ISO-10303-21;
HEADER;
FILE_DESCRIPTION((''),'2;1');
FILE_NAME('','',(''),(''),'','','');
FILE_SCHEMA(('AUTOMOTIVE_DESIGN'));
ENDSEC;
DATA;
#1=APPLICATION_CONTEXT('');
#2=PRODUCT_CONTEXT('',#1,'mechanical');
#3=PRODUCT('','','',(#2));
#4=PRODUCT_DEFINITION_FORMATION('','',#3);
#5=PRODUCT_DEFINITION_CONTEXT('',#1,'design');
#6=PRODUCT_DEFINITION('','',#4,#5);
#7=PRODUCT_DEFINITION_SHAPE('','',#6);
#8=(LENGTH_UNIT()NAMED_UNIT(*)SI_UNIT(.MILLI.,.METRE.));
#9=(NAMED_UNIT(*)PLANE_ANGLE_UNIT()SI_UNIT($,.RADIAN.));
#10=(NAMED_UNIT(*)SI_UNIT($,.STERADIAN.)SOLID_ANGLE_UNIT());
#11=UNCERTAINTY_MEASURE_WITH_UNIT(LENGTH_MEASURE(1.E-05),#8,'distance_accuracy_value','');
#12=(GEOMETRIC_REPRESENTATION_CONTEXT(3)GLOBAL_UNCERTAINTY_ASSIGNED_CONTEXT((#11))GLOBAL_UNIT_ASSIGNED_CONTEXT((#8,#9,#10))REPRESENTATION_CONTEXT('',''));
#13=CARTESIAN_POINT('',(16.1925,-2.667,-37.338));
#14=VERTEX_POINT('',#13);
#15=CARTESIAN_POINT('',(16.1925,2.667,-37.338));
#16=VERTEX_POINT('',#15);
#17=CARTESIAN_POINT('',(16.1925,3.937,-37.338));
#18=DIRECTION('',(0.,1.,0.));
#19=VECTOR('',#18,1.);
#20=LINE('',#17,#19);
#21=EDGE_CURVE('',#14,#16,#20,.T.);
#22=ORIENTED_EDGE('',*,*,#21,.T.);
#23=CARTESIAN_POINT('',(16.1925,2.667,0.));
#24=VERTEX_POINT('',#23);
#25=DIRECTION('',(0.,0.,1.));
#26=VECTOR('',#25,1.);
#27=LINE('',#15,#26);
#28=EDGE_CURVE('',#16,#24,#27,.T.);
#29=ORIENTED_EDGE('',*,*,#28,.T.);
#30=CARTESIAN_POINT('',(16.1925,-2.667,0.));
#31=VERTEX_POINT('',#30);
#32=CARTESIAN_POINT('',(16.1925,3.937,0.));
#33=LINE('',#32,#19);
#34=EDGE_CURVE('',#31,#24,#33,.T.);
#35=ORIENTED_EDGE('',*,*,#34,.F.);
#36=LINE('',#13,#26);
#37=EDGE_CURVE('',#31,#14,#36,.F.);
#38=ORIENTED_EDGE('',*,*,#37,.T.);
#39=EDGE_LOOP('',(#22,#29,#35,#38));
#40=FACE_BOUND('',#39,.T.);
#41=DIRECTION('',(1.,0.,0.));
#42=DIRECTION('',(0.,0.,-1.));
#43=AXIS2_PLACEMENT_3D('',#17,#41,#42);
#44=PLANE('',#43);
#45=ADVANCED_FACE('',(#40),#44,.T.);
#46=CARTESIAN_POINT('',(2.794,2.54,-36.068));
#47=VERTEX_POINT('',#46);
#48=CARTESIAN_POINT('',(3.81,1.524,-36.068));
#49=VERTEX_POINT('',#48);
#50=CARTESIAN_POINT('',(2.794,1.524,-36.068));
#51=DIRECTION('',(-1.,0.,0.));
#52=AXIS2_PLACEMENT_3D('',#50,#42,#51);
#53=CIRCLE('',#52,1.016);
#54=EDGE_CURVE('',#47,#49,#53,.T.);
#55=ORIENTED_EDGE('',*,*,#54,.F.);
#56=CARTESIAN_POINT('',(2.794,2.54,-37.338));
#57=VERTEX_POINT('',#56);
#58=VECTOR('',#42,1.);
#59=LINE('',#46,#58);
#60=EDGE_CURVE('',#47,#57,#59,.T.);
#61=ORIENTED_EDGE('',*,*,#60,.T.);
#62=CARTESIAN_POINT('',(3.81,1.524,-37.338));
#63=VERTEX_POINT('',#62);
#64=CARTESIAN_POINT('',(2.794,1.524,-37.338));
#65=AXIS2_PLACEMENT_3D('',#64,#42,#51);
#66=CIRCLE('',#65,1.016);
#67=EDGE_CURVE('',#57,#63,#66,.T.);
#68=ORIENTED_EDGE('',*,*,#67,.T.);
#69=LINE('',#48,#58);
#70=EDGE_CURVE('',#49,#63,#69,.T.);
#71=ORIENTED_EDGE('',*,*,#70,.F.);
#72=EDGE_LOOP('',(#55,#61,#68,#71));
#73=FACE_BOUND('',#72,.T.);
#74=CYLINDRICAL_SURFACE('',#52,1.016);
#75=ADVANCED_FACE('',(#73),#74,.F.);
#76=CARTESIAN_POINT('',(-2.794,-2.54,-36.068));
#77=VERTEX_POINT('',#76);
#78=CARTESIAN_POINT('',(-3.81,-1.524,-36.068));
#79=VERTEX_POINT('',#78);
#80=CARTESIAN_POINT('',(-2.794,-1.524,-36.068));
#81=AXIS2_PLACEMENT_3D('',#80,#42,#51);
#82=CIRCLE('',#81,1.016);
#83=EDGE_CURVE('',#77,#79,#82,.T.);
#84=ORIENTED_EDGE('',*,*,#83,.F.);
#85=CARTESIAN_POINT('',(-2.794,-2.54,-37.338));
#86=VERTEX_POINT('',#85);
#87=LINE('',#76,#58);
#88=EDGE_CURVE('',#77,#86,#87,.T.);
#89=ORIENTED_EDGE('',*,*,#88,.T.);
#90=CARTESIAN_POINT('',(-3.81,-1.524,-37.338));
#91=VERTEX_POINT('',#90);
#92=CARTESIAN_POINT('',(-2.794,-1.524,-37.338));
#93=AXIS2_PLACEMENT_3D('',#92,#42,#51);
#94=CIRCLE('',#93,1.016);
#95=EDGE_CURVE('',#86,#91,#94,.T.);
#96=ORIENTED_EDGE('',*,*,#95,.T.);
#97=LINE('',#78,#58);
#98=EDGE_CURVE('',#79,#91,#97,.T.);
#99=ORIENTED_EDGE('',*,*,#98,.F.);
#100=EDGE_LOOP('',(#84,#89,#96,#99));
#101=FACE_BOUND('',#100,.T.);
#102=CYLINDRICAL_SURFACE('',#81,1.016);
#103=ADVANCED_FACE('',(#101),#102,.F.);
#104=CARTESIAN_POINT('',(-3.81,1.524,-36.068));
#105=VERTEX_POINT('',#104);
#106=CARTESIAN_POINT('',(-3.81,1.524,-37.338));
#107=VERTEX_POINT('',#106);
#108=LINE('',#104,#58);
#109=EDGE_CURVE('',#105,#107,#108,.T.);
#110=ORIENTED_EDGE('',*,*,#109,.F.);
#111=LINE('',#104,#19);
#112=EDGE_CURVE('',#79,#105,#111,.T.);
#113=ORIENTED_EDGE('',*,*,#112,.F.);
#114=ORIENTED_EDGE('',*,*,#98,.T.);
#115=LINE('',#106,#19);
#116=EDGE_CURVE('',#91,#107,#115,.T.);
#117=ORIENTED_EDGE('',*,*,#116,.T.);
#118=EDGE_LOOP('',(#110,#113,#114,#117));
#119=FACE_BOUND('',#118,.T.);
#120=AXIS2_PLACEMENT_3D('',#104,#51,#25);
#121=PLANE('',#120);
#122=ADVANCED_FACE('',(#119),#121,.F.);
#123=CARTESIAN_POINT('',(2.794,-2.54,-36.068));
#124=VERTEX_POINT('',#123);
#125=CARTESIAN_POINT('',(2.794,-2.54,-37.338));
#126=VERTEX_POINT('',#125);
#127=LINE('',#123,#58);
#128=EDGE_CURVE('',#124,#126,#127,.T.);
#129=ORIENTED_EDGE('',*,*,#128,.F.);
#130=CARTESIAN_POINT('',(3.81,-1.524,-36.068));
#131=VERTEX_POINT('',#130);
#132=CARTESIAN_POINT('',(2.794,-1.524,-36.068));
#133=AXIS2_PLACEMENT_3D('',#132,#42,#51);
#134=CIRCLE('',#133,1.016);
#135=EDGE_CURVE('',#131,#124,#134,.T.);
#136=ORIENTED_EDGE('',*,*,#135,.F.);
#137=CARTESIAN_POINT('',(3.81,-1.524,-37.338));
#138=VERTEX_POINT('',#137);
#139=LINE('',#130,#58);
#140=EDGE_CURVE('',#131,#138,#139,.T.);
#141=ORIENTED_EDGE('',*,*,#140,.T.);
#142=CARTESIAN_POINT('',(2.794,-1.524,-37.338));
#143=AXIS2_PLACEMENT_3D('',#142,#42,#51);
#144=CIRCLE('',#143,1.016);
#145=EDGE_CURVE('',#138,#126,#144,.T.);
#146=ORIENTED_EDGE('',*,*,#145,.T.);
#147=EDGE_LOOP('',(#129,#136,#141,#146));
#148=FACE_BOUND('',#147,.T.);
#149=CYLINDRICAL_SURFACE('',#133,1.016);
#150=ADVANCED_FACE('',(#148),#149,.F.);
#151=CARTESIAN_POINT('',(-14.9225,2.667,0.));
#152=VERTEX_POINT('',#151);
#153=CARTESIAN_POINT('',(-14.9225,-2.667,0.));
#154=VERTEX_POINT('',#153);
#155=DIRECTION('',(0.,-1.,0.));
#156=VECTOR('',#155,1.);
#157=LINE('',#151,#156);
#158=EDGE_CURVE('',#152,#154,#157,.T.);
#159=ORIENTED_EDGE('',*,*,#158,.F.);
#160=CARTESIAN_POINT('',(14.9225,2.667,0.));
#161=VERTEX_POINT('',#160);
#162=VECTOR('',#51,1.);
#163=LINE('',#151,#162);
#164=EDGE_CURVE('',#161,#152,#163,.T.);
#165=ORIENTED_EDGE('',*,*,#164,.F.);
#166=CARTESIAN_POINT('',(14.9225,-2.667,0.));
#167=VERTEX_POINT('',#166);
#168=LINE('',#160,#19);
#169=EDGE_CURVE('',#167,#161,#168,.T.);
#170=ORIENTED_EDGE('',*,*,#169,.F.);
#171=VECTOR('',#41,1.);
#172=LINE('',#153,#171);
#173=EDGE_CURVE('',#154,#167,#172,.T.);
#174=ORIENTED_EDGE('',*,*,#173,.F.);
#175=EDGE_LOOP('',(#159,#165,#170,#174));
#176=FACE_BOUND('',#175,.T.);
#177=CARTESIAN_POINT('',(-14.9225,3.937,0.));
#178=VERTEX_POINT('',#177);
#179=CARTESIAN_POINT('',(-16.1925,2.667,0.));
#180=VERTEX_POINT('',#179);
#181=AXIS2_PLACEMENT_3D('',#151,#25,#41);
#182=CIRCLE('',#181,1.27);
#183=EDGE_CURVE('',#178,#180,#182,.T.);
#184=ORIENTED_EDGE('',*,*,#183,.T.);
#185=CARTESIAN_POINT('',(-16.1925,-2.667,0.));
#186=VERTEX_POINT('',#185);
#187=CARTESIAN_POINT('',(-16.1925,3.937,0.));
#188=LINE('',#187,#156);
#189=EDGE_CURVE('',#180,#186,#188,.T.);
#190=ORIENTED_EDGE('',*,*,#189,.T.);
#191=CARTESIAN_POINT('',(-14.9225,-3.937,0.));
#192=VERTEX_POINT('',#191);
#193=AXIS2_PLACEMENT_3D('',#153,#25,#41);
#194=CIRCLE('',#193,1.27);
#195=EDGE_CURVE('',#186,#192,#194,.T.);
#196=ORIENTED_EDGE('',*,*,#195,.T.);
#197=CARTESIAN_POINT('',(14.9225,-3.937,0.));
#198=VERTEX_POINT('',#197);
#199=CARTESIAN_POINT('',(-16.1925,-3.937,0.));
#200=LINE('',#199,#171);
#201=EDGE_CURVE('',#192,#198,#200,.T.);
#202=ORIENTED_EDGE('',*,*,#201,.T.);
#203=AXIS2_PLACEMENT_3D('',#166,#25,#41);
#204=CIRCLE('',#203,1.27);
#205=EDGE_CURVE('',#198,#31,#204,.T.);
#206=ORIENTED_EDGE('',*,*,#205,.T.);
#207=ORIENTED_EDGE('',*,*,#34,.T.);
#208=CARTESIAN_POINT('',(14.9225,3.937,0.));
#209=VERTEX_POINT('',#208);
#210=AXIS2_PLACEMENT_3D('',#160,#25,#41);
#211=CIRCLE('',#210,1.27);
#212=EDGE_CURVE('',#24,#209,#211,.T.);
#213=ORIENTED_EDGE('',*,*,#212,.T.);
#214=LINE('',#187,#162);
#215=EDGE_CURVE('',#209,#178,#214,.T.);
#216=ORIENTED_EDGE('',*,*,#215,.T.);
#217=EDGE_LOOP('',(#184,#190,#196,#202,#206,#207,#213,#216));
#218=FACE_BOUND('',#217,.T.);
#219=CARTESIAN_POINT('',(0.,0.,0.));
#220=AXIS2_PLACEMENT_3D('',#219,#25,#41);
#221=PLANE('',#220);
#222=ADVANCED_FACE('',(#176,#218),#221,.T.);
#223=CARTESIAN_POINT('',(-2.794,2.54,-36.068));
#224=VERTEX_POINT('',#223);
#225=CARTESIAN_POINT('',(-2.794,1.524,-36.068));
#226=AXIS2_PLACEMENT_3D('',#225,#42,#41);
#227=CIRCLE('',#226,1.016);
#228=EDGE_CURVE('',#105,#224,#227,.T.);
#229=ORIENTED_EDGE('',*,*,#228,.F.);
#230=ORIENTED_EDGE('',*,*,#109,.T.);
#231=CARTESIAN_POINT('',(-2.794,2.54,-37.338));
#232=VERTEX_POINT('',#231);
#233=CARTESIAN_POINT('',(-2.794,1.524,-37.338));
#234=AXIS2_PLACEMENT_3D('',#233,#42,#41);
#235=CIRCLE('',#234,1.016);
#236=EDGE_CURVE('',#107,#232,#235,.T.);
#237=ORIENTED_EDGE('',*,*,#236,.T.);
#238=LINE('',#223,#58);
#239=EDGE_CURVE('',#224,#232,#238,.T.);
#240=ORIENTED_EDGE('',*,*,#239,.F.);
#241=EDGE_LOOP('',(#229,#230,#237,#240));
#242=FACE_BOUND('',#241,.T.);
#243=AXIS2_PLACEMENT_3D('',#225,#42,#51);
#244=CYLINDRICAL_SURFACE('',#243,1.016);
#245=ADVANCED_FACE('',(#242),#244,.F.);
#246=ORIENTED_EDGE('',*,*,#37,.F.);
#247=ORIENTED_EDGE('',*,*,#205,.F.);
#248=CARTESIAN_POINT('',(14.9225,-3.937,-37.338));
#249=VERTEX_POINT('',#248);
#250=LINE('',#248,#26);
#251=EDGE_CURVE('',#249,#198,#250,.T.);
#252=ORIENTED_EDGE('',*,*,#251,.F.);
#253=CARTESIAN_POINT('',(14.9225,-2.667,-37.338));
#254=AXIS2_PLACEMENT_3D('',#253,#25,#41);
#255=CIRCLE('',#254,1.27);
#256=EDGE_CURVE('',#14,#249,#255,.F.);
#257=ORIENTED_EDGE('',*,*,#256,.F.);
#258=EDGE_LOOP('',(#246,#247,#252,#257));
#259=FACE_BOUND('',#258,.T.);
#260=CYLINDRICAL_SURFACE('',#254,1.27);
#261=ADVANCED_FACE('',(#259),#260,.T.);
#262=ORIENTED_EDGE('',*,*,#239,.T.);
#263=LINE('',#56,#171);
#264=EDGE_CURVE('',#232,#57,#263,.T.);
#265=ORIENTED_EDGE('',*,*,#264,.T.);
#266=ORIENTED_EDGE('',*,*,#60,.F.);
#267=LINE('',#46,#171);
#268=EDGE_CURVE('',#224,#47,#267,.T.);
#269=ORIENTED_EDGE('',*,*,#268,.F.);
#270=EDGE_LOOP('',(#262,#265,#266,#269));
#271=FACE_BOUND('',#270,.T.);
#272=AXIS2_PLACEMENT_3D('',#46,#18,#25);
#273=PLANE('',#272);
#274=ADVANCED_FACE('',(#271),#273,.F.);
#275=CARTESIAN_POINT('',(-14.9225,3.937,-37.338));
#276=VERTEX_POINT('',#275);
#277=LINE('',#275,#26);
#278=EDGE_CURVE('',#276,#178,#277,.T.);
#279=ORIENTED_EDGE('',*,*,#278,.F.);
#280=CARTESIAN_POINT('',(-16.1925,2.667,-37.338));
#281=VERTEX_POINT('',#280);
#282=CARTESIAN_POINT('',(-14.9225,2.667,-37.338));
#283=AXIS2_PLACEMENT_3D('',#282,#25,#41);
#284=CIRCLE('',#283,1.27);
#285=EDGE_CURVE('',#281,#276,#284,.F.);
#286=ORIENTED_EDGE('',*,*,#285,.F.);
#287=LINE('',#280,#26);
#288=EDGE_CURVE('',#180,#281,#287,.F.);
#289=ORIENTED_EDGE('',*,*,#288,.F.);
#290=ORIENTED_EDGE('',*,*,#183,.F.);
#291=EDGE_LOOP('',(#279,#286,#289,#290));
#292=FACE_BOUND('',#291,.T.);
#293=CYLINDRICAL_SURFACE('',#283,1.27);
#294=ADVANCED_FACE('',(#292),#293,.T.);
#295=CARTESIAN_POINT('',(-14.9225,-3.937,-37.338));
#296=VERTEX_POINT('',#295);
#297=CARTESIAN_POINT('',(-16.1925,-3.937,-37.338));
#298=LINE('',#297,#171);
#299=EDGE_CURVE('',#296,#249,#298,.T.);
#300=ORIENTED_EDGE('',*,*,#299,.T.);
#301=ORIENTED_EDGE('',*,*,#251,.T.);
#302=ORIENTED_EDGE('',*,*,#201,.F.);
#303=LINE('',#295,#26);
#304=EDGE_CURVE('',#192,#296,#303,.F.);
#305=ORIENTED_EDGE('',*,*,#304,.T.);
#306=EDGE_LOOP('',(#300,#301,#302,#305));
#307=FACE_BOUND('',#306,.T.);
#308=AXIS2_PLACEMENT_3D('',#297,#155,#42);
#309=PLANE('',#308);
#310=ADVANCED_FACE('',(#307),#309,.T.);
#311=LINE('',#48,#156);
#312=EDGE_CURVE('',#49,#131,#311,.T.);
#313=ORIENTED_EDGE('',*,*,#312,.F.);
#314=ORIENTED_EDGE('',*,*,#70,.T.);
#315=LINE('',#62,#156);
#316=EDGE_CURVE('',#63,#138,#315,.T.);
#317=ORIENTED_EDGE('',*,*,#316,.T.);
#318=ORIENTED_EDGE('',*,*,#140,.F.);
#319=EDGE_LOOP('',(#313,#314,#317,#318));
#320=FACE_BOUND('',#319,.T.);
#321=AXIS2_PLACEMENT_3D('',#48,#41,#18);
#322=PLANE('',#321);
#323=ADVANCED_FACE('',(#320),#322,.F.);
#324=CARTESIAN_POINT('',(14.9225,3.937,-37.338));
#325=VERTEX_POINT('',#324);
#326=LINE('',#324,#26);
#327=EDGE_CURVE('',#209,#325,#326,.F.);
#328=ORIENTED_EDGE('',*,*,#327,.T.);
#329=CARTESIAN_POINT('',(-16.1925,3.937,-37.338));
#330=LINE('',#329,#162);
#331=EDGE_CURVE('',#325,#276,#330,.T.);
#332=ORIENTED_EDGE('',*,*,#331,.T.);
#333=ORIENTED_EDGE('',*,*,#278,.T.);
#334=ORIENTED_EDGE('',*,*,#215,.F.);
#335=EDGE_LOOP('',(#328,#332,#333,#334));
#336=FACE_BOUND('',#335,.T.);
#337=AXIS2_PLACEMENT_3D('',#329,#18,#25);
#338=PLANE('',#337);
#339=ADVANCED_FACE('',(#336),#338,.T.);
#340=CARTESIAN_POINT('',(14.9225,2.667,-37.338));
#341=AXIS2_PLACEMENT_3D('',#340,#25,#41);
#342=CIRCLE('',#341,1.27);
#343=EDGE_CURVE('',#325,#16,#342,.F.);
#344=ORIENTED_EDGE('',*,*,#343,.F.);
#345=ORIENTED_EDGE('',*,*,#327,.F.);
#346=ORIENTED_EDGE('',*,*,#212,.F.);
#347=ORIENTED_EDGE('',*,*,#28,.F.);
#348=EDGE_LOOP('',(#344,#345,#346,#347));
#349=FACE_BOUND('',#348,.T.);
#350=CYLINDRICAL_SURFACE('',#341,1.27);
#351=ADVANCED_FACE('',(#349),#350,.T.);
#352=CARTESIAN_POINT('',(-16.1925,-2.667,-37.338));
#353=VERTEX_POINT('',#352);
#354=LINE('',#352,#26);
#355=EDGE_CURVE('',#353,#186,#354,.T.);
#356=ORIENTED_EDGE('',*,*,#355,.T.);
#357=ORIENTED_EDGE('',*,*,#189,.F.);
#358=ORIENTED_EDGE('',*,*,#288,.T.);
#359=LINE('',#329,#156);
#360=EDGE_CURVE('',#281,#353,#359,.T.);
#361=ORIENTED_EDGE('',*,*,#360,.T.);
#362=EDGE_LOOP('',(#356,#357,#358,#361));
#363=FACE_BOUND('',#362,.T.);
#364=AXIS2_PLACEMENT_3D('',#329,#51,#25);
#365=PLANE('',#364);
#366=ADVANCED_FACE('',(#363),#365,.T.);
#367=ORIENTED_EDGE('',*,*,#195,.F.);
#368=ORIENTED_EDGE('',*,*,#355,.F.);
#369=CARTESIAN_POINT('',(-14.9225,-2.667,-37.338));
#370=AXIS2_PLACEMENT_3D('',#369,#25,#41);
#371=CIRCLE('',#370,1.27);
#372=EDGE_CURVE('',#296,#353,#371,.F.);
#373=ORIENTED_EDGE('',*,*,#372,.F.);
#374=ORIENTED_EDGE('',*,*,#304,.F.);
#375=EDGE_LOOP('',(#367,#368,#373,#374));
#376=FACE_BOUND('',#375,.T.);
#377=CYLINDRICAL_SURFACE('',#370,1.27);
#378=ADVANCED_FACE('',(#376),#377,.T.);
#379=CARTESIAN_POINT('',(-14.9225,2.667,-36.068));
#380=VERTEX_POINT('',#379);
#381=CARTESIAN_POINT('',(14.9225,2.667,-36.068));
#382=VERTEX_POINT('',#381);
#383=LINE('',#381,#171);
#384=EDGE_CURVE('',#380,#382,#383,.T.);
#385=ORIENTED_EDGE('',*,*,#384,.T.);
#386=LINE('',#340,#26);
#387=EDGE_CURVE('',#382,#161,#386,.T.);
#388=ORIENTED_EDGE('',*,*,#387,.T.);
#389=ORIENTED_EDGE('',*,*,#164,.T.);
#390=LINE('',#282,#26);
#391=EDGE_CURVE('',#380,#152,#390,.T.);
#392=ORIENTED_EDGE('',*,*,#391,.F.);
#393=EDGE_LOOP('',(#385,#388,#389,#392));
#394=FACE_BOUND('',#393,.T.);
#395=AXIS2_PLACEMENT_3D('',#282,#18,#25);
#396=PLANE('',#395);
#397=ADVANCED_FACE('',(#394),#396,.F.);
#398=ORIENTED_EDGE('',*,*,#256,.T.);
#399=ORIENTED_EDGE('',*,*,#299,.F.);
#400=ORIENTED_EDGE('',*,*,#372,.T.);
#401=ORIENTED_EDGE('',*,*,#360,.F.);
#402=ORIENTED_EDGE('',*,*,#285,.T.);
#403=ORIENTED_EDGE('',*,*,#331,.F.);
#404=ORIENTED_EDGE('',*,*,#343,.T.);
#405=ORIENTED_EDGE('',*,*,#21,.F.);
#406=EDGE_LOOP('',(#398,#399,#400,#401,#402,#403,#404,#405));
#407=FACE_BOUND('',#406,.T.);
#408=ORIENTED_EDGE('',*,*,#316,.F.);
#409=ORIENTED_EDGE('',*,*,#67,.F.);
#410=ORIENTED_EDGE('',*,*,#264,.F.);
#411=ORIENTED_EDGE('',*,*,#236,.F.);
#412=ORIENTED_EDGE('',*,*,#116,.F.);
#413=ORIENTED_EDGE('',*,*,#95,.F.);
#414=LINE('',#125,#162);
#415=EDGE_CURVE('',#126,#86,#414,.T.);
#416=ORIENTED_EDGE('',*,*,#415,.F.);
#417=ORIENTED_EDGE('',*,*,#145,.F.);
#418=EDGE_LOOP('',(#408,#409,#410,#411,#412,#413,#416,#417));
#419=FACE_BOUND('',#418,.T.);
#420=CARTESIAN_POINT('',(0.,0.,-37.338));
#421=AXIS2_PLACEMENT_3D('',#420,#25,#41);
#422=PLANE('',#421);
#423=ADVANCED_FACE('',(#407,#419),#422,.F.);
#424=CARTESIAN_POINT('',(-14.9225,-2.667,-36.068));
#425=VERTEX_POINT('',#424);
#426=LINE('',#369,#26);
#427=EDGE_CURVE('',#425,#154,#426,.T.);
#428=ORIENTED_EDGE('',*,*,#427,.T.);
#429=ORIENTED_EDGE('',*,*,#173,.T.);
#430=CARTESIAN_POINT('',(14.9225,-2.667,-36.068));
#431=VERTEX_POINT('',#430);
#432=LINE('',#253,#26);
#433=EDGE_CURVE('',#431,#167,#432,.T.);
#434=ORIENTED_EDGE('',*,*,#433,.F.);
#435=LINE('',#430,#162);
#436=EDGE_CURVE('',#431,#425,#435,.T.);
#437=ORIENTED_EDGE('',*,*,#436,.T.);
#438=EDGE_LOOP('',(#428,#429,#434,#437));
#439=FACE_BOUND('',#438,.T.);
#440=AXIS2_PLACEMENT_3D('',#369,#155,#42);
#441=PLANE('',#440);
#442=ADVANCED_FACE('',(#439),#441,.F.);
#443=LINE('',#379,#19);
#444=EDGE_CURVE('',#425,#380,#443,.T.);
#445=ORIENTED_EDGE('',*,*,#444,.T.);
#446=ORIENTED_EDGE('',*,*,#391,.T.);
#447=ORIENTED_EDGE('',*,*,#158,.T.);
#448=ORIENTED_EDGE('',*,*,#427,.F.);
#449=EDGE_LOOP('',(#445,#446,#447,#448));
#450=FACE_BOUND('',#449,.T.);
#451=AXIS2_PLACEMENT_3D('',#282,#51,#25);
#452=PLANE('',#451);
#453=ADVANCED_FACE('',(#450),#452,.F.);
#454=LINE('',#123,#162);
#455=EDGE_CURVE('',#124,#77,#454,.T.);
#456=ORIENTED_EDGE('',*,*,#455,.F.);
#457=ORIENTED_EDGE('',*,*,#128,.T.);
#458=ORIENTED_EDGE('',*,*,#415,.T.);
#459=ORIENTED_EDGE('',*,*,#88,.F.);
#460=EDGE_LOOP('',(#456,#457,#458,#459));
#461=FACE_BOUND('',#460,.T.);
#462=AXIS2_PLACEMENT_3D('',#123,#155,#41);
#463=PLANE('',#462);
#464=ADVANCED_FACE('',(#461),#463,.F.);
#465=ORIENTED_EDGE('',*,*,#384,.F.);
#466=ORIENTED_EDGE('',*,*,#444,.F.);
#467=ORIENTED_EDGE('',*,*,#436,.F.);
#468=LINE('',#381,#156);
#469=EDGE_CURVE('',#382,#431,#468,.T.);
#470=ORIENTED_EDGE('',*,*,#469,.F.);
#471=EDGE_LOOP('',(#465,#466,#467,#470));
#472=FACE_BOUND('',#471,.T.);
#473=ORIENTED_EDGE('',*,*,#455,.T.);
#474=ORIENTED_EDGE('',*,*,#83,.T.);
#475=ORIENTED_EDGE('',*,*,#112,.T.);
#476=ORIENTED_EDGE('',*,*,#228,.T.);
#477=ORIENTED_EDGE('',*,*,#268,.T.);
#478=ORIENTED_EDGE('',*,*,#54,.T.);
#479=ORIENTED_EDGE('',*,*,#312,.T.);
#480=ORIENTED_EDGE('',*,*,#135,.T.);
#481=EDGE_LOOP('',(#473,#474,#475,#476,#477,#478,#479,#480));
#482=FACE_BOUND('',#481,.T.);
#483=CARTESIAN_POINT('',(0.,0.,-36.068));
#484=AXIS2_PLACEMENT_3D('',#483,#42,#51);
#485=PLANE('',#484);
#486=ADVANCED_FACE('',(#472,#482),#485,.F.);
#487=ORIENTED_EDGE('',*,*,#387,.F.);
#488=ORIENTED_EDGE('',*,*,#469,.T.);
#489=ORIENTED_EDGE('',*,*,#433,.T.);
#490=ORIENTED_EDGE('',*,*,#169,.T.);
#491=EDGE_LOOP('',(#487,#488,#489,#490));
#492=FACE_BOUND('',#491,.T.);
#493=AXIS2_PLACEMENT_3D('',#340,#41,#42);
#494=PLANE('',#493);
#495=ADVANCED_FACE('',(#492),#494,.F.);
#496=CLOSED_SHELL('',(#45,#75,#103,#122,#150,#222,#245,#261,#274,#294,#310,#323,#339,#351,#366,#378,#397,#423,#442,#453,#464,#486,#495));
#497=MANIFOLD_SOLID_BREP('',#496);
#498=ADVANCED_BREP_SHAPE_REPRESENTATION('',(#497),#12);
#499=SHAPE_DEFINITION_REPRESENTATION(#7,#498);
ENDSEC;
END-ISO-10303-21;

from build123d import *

# Parameters (mm, degrees)
SKETCH1_W           = 32.385
SKETCH1_H           = 7.874
SKETCH1_W_2         = 29.845
SKETCH1_H_2         = 5.334
BOSS_EXTRUDE1_DEPTH = 37.338
FILLET1_R           = 1.27
SKETCH2_W           = 29.845
SKETCH2_H           = 5.334
BOSS_EXTRUDE2_DEPTH = 1.27


with BuildPart() as part:
    # Sketch1 → Boss-Extrude1 (new body)
    with BuildSketch(Plane.XY):
        Rectangle(SKETCH1_W, SKETCH1_H)
        Rectangle(SKETCH1_W_2, SKETCH1_H_2, mode=Mode.SUBTRACT)
    extrude(amount=-BOSS_EXTRUDE1_DEPTH)

    # Fillet1
    fillet1_edges = [part.edges().sort_by_distance(p)[0] for p in [
        (16.1925, -3.937, -18.669),
        (-16.1925, -3.937, -18.669),
        (-16.1925, 3.937, -18.669),
        (16.1925, 3.937, -18.669),
    ]]
    fillet(fillet1_edges, radius=FILLET1_R)

    # Sketch2 → Boss-Extrude2 (add)
    with BuildSketch(Plane(origin=(0, 0, -37.338), x_dir=(-1, 0, 0), z_dir=(0, 0, -1))):
        Rectangle(SKETCH2_W, SKETCH2_H)
        with BuildLine():
            Line((-2.794, 2.54), (2.794, 2.54))
            ThreePointArc((2.794, 2.54), (3.51242049, 2.24242049), (3.81, 1.524))
            Line((3.81, 1.524), (3.81, -1.524))
            ThreePointArc((3.81, -1.524), (3.51242049, -2.24242049), (2.794, -2.54))
            Line((2.794, -2.54), (-2.794, -2.54))
            ThreePointArc((-2.794, -2.54), (-3.51242049, -2.24242049), (-3.81, -1.524))
            Line((-3.81, -1.524), (-3.81, 1.524))
            ThreePointArc((-3.81, 1.524), (-3.51242049, 2.24242049), (-2.794, 2.54))
        make_face(mode=Mode.SUBTRACT)
    extrude(amount=-BOSS_EXTRUDE2_DEPTH)


solid = part.part
